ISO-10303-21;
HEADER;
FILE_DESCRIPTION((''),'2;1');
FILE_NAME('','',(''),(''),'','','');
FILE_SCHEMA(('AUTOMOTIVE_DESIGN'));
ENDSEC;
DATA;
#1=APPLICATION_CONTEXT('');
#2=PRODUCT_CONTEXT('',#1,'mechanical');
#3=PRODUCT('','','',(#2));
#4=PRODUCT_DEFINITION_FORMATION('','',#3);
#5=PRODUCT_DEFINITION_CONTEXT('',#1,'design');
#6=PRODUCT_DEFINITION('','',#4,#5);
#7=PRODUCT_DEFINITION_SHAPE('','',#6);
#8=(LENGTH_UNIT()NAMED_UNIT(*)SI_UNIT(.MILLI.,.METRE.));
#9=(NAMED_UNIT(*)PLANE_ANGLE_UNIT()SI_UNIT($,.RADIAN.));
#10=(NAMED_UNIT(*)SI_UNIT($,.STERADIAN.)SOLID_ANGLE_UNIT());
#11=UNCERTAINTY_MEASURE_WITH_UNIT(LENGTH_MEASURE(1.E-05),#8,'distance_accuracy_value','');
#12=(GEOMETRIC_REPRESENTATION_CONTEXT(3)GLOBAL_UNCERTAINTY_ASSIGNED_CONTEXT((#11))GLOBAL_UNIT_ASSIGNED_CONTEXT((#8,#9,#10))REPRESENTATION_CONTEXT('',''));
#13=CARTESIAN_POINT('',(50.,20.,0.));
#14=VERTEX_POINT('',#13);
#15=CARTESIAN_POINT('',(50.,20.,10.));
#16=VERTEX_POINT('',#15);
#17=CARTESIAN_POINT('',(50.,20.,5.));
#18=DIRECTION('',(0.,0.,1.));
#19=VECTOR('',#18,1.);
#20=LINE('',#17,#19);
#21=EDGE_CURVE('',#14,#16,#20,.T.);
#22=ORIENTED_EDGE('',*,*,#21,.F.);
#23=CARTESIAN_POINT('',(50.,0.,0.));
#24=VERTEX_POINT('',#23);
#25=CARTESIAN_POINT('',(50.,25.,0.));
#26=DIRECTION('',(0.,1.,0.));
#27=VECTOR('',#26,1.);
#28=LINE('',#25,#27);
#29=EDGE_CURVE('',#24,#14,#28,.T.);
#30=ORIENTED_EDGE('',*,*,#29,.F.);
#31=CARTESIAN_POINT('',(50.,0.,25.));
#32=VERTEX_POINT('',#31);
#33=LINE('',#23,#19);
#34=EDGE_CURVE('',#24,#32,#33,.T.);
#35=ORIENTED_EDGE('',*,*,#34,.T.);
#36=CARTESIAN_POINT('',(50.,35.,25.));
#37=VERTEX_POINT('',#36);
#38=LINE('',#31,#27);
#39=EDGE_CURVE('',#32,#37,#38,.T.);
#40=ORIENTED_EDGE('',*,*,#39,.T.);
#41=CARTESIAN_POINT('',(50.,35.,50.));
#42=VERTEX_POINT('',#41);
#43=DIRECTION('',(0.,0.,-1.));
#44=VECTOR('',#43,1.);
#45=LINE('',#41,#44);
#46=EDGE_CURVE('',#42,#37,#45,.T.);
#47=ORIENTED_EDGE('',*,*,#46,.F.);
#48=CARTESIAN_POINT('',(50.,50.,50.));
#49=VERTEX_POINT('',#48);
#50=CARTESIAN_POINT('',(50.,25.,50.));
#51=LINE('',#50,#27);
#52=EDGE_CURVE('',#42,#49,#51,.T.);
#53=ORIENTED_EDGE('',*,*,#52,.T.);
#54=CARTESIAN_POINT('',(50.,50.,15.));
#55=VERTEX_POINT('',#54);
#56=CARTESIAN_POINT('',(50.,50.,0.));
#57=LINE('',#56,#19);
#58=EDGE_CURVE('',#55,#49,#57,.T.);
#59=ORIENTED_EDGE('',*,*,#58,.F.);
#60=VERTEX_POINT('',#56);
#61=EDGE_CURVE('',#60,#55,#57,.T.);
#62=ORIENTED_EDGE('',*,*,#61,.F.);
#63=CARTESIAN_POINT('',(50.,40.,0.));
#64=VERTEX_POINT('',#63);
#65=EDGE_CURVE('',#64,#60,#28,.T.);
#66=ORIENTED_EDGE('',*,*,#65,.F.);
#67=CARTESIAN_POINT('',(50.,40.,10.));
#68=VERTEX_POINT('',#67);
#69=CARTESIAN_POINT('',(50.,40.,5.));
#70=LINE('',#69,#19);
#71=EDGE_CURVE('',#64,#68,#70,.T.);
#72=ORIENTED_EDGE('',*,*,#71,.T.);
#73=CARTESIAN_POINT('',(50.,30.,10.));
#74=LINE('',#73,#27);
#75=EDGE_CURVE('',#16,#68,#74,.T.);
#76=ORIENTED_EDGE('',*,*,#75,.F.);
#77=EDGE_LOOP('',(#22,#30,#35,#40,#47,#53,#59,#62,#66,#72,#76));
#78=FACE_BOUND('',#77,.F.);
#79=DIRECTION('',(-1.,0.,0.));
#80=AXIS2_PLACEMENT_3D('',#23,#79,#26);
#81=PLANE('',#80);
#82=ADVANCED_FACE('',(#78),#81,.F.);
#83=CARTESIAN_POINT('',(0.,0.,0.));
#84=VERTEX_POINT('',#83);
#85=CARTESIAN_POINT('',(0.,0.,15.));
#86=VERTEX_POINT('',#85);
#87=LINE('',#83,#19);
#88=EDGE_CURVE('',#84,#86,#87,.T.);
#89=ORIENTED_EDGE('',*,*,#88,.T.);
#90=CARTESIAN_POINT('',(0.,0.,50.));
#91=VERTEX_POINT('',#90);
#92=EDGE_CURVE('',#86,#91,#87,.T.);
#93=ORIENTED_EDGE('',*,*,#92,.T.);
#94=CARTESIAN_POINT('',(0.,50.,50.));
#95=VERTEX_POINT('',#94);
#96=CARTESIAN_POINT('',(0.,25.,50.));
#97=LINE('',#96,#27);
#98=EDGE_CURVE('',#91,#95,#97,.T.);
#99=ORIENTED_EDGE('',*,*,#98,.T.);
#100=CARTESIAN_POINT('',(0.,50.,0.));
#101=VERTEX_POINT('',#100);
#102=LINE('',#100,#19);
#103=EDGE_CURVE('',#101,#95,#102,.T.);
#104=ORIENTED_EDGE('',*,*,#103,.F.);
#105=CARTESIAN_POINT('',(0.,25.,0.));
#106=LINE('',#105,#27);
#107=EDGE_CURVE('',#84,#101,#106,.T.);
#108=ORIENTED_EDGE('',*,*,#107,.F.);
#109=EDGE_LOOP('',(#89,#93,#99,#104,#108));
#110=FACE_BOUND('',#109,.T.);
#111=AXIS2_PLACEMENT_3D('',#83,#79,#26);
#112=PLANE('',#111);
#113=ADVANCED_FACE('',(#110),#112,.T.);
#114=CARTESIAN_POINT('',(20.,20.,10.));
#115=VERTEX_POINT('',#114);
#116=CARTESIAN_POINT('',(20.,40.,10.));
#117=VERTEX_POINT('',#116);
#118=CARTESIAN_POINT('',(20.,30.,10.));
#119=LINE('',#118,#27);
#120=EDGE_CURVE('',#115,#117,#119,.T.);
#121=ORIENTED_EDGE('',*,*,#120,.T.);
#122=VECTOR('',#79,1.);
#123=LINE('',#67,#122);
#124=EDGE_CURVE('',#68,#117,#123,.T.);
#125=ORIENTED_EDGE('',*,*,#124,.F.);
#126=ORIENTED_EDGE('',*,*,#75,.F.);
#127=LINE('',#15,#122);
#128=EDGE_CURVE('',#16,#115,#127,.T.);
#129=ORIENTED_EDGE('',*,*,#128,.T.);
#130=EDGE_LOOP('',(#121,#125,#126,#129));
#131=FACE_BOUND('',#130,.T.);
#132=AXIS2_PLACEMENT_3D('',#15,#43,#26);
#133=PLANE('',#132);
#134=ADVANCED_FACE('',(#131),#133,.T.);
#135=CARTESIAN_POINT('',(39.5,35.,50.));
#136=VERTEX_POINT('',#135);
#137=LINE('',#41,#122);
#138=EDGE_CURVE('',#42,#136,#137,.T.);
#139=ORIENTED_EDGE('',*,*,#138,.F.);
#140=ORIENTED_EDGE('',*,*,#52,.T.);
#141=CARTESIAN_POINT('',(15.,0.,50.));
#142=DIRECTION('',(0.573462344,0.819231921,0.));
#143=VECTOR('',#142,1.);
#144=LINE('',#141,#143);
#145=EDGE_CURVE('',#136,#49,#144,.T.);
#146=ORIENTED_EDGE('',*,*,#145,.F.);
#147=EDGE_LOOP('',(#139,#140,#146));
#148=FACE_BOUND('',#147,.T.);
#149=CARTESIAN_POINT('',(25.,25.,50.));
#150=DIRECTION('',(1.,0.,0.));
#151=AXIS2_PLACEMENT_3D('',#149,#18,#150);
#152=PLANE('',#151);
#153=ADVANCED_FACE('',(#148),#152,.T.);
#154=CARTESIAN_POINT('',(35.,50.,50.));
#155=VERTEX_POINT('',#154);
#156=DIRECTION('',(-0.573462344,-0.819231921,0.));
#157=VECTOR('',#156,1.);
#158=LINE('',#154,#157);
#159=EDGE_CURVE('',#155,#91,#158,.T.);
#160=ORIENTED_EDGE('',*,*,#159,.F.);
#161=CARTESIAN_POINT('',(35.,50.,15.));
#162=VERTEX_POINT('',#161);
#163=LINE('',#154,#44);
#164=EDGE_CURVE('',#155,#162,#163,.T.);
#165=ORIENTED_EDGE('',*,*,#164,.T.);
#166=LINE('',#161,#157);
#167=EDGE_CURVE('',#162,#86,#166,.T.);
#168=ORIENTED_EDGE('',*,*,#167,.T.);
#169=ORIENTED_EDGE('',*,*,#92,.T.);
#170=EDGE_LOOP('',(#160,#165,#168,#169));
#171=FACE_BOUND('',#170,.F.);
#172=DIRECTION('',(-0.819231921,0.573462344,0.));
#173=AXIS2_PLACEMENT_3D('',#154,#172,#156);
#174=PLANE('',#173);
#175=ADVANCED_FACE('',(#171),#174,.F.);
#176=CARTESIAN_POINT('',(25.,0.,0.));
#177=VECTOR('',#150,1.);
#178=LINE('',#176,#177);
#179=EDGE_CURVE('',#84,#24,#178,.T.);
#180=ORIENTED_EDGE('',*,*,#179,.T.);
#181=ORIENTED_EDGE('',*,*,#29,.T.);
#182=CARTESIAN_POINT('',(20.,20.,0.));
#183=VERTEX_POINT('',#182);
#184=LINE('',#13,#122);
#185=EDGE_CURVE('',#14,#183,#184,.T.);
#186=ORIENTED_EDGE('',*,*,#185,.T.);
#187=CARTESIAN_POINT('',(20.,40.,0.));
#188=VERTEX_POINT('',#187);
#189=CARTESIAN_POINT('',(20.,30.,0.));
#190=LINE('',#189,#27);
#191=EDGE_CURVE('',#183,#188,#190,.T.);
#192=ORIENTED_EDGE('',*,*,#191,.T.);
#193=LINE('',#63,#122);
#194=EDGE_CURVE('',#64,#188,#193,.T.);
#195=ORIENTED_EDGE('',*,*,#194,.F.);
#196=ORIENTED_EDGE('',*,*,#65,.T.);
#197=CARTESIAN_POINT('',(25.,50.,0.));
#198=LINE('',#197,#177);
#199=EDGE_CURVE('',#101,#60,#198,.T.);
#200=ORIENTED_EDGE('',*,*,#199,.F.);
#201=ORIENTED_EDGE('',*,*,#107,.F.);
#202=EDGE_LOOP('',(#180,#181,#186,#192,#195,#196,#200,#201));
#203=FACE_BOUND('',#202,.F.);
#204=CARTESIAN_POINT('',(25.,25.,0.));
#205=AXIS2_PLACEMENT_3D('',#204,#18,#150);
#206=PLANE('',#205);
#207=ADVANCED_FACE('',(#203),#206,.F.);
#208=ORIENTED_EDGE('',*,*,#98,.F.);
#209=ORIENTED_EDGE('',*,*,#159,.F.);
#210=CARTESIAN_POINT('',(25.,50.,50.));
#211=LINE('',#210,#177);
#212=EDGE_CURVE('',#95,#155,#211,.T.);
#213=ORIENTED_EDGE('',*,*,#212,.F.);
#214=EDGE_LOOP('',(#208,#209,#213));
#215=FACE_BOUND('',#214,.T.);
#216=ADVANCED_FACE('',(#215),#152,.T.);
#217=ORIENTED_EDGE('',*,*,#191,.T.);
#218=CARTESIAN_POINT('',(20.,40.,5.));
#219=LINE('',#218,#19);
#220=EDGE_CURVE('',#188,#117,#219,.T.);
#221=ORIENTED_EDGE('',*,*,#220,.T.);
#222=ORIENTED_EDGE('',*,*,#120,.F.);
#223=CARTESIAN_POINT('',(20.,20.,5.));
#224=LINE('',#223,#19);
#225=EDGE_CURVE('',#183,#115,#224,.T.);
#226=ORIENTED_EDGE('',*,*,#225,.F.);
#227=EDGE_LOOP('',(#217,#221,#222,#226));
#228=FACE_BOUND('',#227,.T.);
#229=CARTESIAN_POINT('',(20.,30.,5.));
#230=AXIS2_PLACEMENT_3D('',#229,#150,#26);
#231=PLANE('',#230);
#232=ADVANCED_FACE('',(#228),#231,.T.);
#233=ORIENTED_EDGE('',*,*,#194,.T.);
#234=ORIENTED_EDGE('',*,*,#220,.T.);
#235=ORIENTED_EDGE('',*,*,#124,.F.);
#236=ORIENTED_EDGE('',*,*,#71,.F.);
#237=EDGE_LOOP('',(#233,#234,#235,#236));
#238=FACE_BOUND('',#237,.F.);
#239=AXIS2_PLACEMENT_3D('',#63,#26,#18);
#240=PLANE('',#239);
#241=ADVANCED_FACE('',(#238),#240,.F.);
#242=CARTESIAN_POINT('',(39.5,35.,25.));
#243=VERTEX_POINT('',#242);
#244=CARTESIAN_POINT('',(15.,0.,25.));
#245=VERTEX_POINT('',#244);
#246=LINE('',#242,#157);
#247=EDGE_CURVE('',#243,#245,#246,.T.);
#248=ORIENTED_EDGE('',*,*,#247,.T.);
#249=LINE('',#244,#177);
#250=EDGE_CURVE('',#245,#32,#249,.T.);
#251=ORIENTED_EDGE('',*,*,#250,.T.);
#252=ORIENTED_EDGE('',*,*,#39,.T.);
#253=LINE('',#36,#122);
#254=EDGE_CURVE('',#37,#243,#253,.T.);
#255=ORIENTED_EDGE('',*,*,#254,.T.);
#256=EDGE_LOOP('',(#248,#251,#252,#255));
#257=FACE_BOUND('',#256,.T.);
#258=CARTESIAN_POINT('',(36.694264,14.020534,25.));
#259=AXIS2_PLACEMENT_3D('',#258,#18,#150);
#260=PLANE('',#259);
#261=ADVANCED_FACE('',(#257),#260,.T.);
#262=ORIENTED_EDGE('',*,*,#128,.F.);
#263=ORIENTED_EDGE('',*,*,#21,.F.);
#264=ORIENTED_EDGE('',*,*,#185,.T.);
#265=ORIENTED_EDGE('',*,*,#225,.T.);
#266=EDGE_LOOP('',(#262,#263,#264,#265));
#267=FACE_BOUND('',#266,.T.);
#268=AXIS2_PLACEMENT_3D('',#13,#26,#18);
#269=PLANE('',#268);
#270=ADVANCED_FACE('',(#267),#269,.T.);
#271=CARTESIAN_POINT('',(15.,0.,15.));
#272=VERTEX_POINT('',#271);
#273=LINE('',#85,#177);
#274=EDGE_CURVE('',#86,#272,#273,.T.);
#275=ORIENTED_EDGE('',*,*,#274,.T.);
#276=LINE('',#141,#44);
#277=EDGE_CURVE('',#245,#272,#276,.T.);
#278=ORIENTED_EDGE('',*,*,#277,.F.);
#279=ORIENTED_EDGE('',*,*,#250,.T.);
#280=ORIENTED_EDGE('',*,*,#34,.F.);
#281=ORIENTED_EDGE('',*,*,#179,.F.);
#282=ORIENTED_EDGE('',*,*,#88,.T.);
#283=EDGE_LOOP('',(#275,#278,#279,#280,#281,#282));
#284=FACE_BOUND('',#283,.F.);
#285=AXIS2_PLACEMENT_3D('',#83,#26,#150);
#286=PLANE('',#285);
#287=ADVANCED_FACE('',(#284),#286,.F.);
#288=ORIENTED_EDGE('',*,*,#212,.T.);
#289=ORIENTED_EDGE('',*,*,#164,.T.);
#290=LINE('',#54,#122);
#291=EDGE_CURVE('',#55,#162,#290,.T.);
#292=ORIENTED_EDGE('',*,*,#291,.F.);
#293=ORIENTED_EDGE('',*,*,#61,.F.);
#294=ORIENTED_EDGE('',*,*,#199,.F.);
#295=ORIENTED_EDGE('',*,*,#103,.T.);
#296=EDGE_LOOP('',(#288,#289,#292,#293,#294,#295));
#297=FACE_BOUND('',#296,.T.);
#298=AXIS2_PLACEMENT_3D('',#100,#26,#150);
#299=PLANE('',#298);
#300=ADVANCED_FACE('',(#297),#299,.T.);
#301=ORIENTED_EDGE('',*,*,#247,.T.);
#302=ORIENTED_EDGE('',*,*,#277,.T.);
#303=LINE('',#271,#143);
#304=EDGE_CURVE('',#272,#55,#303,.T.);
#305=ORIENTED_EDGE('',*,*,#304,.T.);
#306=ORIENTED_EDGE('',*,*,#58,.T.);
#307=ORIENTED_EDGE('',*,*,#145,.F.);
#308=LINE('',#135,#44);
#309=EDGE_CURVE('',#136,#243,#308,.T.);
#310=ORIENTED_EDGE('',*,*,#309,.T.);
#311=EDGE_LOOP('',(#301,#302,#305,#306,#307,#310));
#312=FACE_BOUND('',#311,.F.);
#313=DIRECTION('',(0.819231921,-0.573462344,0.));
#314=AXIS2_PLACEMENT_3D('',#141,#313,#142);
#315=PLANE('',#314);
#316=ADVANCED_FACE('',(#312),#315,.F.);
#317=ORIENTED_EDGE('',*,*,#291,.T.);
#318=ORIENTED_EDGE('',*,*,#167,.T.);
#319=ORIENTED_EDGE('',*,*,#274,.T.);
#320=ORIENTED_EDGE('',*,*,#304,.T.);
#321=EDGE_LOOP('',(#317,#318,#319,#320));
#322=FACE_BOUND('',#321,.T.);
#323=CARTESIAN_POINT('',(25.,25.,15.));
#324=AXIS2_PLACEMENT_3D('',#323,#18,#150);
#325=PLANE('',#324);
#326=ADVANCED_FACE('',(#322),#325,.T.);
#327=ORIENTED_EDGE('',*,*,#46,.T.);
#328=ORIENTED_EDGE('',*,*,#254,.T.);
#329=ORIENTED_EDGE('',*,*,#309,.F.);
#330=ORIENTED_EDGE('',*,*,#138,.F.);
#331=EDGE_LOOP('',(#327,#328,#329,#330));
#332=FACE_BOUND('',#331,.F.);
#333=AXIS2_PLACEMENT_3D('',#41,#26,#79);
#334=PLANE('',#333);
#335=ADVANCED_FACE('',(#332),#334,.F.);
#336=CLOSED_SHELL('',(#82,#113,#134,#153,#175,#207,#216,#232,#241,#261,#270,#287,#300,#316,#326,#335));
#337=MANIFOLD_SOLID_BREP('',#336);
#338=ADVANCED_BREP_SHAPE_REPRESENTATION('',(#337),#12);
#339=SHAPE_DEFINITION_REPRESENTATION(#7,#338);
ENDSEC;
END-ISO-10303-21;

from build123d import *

# Parameters (mm, degrees)
F0_W     = 50
F0_H     = 50
F1_DEPTH = 50
F3_DEPTH = 35
F4_W     = 20
F4_H     = 10
F5_DEPTH = 30
F7_DEPTH = 25


with BuildPart() as f1:
    # F0 (on Top) → F1 (new body)
    with BuildSketch(Plane.XY):
        with Locations((25, 25)):
            Rectangle(F0_W, F0_H)
    extrude(amount=F1_DEPTH)

    # F2 (on face) → F3 (cut)
    with BuildSketch(Plane.XY.offset(50)):
        Polygon((15, 0), (50, 50), (35, 50), (0, 0), align=None)
    extrude(amount=-F3_DEPTH, mode=Mode.SUBTRACT)

    # F4 (on face) → F5 (cut)
    with BuildSketch(Plane.YZ.offset(50)):
        with Locations((30, 5)):
            Rectangle(F4_W, F4_H)
    extrude(amount=-F5_DEPTH, mode=Mode.SUBTRACT)

    # F6 (on face) → F7 (cut)
    with BuildSketch(Plane.XY.offset(50)):
        Polygon((50, 35), (39.5, 35), (15, 0), (50, 0), align=None)
    extrude(amount=-F7_DEPTH, mode=Mode.SUBTRACT)


solid = f1.part
